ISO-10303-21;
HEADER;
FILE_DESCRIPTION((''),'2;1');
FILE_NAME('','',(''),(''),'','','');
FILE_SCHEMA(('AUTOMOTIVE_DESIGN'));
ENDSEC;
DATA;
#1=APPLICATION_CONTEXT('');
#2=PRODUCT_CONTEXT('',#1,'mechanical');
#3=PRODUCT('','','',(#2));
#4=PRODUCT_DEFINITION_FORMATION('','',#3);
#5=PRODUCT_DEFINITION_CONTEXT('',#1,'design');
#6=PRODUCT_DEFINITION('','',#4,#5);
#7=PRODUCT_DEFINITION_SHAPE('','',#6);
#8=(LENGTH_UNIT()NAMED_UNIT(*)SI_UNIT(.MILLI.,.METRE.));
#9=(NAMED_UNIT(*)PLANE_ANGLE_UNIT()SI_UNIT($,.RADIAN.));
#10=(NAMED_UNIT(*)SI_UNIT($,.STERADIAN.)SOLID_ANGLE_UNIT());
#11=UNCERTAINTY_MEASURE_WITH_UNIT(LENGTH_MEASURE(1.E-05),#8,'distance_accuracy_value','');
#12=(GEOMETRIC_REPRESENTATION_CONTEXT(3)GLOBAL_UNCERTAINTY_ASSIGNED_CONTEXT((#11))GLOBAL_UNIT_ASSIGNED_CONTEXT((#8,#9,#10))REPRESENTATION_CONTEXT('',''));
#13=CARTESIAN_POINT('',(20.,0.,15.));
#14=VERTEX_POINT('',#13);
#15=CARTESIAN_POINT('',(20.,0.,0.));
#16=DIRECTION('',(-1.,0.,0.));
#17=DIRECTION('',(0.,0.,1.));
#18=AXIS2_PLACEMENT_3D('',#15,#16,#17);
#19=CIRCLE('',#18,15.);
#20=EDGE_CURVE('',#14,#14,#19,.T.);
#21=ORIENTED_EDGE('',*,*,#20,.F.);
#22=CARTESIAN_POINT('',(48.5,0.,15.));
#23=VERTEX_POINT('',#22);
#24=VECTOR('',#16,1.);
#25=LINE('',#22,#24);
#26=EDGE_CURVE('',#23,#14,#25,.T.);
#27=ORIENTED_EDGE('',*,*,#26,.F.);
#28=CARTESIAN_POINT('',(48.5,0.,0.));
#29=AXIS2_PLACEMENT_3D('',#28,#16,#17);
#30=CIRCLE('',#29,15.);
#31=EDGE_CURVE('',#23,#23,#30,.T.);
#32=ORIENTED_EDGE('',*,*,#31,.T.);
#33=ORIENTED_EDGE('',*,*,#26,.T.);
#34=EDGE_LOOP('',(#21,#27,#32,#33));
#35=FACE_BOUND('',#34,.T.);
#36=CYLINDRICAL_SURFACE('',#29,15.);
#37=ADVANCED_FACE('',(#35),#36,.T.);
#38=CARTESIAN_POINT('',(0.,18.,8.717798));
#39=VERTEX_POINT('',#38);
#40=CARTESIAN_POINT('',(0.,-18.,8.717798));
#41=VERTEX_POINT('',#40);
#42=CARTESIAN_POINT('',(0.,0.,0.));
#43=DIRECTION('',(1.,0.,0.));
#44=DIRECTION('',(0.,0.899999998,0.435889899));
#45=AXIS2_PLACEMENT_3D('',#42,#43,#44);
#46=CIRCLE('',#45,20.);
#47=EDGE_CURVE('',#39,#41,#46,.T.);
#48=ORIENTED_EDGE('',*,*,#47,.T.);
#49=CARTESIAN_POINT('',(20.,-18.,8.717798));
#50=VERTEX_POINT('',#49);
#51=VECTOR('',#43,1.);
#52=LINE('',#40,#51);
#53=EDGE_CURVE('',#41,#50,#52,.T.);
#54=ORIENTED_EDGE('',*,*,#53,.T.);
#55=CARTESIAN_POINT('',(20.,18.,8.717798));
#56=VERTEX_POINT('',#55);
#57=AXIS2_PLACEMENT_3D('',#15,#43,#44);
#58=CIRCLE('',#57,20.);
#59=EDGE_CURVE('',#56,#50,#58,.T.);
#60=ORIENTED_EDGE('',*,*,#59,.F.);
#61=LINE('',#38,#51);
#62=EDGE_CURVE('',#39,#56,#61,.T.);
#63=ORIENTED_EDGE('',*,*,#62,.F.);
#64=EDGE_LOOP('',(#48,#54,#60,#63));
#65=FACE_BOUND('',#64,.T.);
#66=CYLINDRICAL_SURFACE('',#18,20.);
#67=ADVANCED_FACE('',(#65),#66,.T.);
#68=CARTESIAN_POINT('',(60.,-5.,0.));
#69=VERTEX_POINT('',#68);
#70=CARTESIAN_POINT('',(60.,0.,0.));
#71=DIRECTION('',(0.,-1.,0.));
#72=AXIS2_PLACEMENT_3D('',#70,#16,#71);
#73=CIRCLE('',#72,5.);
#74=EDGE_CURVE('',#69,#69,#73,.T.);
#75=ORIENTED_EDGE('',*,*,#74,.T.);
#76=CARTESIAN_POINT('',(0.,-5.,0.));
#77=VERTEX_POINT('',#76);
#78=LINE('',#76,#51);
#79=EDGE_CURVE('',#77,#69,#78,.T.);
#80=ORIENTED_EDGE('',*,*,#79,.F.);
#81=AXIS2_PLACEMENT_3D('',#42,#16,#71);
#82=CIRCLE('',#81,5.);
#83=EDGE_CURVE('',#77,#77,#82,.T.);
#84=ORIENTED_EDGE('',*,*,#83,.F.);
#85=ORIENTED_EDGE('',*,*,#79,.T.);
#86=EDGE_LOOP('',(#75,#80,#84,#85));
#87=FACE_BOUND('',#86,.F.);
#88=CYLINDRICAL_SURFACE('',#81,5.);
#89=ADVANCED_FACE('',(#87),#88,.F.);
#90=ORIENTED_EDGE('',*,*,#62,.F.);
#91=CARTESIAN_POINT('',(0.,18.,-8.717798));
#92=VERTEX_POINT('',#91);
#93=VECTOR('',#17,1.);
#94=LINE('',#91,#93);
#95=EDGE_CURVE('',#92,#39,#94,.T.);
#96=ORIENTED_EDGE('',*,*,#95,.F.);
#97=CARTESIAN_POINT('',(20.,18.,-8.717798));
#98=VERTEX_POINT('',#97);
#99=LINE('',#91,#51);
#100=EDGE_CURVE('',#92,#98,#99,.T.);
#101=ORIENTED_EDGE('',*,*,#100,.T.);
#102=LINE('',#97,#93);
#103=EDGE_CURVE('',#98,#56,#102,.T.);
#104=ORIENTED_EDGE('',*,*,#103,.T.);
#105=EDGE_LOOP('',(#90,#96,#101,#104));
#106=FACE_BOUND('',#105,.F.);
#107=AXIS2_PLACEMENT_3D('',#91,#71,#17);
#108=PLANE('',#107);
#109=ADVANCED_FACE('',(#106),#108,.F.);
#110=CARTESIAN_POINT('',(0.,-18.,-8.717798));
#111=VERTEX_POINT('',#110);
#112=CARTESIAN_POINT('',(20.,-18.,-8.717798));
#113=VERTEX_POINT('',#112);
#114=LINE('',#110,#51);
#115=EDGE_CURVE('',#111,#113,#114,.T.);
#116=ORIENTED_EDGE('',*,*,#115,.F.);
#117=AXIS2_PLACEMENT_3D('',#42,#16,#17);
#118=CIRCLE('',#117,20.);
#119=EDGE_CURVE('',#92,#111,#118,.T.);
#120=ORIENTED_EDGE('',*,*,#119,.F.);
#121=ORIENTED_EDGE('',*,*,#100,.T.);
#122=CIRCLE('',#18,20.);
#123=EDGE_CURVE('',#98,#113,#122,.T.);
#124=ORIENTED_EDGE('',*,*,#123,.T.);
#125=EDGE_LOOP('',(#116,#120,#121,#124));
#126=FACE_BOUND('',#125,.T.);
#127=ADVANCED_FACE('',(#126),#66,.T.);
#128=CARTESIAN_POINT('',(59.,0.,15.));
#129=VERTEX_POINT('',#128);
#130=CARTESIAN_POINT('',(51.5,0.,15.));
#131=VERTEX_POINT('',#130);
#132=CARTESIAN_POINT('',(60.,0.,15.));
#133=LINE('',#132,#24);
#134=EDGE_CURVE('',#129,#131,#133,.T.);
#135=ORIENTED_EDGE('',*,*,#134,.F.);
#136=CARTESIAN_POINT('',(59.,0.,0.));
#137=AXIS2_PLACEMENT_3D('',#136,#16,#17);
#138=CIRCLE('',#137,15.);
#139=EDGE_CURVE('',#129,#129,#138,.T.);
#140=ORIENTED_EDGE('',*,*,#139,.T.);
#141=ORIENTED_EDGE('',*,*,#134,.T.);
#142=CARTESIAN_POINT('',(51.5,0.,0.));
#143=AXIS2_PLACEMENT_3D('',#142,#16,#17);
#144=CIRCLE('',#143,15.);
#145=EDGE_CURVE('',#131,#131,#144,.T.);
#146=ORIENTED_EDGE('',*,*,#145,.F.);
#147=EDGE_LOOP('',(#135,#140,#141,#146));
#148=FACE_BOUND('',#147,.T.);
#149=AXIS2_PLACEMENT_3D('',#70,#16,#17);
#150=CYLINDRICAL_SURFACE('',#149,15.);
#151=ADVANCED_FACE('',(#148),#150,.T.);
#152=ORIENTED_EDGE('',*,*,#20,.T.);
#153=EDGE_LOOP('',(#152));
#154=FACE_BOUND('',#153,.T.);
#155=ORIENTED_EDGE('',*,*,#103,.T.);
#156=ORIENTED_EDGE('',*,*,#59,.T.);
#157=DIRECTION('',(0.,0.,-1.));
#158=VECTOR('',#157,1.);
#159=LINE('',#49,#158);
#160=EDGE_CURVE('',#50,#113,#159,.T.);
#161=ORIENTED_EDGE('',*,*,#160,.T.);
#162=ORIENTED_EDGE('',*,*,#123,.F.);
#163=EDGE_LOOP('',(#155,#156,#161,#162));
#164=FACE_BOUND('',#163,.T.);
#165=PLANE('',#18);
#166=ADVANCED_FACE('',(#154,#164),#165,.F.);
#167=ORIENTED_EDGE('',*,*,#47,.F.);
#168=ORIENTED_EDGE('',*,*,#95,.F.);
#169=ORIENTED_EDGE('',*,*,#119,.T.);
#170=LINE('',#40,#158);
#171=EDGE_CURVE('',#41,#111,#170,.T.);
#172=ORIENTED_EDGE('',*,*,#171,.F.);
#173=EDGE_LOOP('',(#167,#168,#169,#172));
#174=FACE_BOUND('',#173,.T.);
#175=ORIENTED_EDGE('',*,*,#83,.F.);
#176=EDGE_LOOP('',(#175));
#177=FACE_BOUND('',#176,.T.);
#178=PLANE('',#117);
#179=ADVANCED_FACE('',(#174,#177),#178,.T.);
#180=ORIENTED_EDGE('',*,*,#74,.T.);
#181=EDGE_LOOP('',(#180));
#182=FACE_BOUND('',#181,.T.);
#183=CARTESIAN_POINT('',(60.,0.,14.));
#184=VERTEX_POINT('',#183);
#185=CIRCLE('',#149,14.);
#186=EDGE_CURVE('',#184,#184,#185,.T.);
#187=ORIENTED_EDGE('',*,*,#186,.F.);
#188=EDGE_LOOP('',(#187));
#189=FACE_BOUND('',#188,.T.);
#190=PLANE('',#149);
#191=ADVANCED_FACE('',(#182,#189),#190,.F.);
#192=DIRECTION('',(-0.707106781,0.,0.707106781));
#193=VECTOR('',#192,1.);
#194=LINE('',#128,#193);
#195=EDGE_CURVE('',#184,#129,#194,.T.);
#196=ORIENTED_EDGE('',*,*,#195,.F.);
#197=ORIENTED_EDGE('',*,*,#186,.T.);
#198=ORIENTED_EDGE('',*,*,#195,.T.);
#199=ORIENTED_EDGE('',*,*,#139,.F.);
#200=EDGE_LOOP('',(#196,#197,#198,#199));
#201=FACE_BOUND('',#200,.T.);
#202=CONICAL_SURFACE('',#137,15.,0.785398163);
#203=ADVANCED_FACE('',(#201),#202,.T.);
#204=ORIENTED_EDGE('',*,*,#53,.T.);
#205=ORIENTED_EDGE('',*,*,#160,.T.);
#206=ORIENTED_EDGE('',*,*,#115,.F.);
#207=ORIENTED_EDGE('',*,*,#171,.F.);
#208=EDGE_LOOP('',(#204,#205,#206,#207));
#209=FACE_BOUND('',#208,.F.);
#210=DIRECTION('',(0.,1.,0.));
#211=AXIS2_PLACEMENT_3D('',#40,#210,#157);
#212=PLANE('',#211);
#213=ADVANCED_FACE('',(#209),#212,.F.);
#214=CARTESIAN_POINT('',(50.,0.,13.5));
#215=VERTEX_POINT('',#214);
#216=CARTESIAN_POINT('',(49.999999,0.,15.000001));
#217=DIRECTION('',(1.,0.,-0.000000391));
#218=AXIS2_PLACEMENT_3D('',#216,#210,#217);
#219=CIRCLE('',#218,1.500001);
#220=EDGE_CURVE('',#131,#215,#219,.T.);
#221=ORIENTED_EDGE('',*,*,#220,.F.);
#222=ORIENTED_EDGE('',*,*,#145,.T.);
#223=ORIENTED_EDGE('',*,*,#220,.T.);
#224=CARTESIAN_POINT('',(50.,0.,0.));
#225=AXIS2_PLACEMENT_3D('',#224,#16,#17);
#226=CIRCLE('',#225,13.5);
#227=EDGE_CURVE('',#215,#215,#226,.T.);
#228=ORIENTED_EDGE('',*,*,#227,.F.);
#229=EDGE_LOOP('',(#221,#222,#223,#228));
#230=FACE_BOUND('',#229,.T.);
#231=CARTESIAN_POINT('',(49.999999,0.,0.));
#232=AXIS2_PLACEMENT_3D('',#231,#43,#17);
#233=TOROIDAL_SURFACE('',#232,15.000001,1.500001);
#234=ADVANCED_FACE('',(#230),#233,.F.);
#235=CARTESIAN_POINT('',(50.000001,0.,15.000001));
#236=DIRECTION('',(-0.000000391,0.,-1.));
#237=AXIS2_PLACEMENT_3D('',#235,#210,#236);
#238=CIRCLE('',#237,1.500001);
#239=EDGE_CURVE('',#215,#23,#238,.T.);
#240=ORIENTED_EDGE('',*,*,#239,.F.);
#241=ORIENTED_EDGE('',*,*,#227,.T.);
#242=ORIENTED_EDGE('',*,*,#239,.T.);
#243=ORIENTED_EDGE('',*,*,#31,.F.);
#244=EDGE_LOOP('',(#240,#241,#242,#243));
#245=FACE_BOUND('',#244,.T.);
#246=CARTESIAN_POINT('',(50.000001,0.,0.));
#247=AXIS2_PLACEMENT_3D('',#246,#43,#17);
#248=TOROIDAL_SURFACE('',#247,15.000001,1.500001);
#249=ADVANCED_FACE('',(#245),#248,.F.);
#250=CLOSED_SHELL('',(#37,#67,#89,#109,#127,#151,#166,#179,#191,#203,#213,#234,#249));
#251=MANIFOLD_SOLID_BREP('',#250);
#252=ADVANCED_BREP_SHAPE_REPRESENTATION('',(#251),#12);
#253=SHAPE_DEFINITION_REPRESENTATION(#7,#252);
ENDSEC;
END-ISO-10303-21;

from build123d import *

# Parameters (mm, degrees)
F2_SIZE  = 1
F4_DEPTH = 20
F5_R     = 5
F6_DEPTH = 60


with BuildPart() as f1:
    # F0 (on Front) → F1 (revolve)
    with BuildSketch(Plane.XZ):
        with BuildLine():
            Line((0, 20), (0, 0))
            Line((0, 0), (50, 0))
            Line((50, 0), (50, 13.5))
            ThreePointArc((50, 13.5), (48.93934, 13.93934), (48.5, 15))
            Line((48.5, 15), (20, 15))
            Line((20, 15), (20, 20))
            Line((20, 20), (0, 20))
        make_face()
        with BuildLine():
            Line((50, 13.5), (50, 0))
            Line((50, 0), (60, 0))
            Line((60, 0), (60, 15))
            Line((60, 15), (51.5, 15))
            ThreePointArc((51.5, 15), (51.06066, 13.93934), (50, 13.5))
        make_face()
    revolve(axis=Axis((30, 0, 0), (-1, 0, 0)))

    # F2
    f2_edges = [f1.edges().sort_by_distance(p)[0] for p in [
        (60, 0, -15),
    ]]
    chamfer(f2_edges, length=F2_SIZE)

    # F3 (on face) → F4 (cut, through all)
    with BuildSketch(Plane(origin=(0, 0, 0), x_dir=(0, -1, 0), z_dir=(-1, 0, 0))):
        with BuildLine():
            Line((-18, -8.717798), (-18, 8.717798))
            ThreePointArc((-18, 8.717798), (-20, 0), (-18, -8.717798))
        make_face()
        with BuildLine():
            ThreePointArc((20, 0), (19.493589, 4.472136), (18, 8.717798))
            Line((18, 8.717798), (18, -8.717798))
            ThreePointArc((18, -8.717798), (19.493589, -4.472136), (20, 0))
        make_face()
    extrude(amount=-F4_DEPTH, mode=Mode.SUBTRACT)

    # F5 (on face) → F6 (cut, through all)
    with BuildSketch(Plane(origin=(0, 0, 0), x_dir=(0, -1, 0), z_dir=(-1, 0, 0))):
        Circle(F5_R)
    extrude(amount=-F6_DEPTH, mode=Mode.SUBTRACT)


solid = f1.part
